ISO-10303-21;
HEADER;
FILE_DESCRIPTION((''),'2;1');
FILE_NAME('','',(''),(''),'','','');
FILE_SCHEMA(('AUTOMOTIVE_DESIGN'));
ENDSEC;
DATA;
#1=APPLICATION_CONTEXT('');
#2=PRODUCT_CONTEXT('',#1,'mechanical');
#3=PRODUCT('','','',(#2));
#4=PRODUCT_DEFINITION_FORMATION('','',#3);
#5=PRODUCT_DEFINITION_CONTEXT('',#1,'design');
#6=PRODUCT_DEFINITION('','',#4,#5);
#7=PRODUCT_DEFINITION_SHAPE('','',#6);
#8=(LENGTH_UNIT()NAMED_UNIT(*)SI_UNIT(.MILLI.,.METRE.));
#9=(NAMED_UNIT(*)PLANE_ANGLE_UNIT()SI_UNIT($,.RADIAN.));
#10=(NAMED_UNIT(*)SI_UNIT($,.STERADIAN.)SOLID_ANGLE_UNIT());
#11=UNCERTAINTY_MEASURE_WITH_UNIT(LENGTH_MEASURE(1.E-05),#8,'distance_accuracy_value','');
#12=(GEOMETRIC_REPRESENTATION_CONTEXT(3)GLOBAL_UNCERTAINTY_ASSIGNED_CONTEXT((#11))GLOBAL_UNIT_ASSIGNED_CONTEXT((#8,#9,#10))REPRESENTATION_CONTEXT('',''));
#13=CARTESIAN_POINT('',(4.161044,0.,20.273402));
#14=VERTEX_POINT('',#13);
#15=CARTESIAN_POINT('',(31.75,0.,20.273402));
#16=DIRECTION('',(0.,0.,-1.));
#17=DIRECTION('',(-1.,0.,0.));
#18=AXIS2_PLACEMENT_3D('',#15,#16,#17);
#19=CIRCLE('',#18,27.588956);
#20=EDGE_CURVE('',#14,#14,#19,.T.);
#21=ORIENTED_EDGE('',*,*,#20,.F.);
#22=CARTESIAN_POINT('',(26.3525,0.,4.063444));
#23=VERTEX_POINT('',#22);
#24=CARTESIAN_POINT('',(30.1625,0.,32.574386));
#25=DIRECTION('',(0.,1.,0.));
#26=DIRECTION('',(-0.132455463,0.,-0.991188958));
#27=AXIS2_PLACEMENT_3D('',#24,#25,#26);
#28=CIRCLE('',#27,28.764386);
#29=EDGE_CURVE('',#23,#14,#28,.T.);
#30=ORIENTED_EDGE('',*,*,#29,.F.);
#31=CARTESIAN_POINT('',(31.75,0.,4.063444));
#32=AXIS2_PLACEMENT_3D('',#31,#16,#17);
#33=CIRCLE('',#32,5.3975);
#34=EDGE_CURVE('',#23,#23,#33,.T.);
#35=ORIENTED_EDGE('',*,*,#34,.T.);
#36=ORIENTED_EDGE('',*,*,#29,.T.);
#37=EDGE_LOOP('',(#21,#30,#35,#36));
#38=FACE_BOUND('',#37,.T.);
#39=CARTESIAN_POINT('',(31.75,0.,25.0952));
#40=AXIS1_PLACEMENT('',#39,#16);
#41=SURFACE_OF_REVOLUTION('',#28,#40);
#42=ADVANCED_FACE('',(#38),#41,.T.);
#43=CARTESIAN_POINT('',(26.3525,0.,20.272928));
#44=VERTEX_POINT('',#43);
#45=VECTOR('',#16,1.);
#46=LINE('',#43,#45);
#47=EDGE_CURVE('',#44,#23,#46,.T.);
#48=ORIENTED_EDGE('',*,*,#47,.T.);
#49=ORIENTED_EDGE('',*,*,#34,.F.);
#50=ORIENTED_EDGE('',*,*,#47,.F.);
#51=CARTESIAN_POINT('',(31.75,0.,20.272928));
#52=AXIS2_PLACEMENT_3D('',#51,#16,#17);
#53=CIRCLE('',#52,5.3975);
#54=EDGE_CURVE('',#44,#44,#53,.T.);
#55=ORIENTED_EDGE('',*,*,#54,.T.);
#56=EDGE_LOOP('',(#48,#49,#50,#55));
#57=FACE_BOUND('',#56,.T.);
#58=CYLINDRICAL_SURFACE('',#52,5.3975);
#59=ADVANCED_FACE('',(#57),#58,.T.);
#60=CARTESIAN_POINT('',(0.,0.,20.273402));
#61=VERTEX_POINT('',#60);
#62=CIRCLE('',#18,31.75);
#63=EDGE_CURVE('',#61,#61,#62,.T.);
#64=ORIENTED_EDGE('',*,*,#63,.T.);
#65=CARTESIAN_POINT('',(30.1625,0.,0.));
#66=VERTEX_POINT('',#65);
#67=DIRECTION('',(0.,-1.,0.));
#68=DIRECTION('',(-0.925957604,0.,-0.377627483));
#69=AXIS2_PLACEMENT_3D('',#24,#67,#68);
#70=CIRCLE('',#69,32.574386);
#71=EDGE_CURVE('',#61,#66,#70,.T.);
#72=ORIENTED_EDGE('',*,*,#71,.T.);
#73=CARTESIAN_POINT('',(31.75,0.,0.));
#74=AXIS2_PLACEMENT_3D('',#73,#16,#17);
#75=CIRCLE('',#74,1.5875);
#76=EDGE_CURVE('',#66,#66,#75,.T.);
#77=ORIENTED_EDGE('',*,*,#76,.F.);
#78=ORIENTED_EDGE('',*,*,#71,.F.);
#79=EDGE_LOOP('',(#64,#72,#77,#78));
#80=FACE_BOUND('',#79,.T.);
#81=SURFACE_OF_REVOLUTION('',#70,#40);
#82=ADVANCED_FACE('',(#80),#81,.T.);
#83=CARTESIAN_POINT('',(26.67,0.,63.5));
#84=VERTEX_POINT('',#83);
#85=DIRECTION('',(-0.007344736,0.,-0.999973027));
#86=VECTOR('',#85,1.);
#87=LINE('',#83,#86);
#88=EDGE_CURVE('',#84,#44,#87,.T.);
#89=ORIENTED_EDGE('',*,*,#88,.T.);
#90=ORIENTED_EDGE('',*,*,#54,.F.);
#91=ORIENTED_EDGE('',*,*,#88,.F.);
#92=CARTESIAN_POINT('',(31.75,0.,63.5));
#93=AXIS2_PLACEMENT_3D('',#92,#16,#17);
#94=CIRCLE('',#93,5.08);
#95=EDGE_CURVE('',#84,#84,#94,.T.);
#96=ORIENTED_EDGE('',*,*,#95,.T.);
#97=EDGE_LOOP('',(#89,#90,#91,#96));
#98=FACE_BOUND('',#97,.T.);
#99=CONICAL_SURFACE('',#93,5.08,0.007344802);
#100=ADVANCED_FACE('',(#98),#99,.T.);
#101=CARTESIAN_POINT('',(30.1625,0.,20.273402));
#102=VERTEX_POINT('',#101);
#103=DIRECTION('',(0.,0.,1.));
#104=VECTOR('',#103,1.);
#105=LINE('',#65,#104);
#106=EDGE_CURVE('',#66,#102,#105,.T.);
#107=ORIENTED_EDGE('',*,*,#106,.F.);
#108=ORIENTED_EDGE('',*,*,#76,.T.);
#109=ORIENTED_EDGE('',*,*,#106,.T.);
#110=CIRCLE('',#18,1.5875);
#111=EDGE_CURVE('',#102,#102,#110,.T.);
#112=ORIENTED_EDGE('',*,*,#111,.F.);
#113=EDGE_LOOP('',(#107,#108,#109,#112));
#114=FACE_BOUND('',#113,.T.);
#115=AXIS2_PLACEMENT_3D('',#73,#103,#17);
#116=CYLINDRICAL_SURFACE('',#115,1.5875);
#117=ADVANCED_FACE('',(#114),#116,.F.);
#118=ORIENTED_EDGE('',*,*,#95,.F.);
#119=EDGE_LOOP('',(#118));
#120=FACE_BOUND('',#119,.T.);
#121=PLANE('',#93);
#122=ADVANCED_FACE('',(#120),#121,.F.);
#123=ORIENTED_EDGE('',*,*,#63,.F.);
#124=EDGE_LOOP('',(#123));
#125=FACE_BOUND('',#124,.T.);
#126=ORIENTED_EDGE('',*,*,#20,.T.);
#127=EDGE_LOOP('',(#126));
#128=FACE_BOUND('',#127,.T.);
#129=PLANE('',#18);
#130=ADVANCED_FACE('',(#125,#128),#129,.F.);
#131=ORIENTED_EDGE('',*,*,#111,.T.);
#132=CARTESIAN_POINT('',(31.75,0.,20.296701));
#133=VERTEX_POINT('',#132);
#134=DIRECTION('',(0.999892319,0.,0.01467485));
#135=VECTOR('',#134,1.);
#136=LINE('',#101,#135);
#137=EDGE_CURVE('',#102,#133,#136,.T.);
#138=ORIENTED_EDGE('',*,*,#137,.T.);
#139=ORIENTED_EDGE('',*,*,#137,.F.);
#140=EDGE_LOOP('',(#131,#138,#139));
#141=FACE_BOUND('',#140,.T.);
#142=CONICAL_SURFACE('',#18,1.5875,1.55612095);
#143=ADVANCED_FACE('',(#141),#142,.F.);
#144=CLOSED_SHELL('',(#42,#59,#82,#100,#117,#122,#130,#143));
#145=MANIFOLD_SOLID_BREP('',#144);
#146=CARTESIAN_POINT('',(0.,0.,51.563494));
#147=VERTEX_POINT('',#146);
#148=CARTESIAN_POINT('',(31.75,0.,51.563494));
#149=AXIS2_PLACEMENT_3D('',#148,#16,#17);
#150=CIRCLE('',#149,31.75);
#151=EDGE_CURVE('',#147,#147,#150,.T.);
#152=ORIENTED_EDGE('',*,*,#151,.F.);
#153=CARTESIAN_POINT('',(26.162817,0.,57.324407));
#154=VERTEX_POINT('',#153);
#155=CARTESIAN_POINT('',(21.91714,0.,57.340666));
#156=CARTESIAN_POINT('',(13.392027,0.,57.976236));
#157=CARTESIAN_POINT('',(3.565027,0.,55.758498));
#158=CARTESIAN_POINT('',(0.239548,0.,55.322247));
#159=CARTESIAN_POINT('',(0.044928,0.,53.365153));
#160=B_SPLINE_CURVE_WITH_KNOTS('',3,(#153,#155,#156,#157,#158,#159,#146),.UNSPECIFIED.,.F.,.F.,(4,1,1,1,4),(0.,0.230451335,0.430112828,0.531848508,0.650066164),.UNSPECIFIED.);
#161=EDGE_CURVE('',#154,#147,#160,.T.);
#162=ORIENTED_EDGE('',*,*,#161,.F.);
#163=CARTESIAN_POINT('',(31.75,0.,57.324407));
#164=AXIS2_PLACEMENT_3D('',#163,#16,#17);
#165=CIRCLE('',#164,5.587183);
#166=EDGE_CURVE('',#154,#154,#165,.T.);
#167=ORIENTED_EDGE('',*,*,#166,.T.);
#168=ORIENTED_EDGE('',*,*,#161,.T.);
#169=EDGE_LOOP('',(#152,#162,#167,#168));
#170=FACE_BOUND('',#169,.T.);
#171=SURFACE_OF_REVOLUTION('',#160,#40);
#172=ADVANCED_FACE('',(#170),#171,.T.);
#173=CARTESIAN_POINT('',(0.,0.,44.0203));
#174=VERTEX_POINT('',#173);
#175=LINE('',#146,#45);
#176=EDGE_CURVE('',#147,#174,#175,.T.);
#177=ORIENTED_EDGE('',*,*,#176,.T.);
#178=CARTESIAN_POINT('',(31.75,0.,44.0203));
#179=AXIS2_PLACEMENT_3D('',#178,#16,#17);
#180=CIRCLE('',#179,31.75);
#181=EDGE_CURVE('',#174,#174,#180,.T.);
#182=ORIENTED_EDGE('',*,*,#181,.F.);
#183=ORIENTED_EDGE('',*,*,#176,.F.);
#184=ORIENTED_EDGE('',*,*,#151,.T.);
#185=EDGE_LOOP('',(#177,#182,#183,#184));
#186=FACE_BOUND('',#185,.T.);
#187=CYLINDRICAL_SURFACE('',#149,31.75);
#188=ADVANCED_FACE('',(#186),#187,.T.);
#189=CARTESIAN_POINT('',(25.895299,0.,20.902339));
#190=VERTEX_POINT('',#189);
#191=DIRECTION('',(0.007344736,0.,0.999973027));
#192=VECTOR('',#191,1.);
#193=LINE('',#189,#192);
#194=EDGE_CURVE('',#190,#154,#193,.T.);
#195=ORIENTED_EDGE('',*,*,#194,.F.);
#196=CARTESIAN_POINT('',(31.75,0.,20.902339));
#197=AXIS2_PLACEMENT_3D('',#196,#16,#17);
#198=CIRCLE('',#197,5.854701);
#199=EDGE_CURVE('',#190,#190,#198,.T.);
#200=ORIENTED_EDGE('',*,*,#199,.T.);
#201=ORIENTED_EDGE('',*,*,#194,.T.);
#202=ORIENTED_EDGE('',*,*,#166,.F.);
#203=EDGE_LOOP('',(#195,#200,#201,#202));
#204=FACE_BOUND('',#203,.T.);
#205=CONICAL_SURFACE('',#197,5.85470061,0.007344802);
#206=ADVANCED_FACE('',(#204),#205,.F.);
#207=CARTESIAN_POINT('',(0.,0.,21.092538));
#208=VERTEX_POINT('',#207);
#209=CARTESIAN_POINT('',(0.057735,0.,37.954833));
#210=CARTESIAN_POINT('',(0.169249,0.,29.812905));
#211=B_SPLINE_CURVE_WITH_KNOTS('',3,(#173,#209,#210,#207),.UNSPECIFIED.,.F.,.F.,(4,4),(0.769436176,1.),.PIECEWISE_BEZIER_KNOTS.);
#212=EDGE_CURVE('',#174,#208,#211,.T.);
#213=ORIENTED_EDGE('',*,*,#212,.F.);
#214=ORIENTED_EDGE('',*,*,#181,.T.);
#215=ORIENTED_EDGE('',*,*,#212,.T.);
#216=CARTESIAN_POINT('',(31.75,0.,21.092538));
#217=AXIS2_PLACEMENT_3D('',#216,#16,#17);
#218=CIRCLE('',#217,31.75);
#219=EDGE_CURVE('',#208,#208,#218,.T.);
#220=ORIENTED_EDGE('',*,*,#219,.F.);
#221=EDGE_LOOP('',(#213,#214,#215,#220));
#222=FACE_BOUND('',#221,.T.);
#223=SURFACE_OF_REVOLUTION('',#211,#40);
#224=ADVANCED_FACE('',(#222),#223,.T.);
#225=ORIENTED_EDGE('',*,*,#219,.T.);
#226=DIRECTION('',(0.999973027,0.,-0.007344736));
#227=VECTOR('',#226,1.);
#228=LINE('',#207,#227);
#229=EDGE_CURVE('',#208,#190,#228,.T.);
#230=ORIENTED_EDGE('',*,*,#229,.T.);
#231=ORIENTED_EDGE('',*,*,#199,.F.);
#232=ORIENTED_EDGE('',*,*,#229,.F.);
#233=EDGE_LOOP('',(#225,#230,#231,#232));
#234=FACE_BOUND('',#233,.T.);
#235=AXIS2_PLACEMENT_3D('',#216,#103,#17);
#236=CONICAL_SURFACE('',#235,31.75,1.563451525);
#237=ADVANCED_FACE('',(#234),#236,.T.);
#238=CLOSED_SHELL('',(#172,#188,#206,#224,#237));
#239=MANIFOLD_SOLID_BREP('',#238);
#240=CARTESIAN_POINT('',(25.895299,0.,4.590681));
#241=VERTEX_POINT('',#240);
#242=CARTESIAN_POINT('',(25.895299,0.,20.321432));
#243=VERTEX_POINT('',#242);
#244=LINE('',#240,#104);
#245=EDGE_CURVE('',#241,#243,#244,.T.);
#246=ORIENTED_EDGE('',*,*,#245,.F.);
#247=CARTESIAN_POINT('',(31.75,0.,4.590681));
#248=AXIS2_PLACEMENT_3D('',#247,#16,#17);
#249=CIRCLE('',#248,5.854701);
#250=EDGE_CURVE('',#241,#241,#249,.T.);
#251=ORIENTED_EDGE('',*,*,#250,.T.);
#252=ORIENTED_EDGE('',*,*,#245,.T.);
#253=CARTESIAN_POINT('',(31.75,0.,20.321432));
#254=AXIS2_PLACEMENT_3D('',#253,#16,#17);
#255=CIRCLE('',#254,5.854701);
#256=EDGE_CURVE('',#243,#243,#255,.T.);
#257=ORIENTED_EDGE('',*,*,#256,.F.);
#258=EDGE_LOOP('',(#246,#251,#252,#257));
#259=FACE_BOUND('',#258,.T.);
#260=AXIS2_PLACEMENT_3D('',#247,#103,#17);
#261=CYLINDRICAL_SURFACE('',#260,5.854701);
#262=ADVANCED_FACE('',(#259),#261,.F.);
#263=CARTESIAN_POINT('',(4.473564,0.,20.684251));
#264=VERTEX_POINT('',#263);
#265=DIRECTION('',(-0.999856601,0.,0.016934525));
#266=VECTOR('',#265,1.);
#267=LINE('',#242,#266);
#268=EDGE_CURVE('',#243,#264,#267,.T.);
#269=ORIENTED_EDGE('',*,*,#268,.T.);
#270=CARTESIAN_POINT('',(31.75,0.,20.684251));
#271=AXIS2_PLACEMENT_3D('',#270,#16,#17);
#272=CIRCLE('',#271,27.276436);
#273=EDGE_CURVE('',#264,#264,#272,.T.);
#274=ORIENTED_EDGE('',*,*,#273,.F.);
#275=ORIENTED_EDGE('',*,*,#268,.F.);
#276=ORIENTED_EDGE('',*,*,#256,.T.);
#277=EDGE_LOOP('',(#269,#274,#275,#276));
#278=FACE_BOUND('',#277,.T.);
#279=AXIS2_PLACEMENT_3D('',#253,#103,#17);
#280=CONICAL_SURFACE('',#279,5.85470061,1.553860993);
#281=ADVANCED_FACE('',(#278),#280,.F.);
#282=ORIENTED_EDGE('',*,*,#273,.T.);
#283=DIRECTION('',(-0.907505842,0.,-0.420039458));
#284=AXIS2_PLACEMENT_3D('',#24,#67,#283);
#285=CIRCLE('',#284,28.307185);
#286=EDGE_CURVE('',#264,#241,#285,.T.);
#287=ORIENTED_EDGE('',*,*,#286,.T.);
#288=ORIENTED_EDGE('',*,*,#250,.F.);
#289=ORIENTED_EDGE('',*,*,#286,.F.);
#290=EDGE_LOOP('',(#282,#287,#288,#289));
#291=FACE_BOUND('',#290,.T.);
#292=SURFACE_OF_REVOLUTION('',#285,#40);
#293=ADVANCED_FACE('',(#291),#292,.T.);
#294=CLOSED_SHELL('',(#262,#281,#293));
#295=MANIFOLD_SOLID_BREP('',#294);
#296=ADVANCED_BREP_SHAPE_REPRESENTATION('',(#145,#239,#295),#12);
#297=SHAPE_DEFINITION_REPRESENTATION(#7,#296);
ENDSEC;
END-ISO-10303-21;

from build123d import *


with BuildPart() as f1:
    # F0 (on Front) → F1 (revolve)
    with BuildSketch(Plane.XZ):
        with BuildLine():
            add(Edge.make_bspline(
                [(0, 44.0202998325), (0.0577345664, 37.9548327602), (0.169249193, 29.8129052835), (0, 21.0925379175)],
                knots=[0.7694361764, 0.7694361764, 0.7694361764, 0.7694361764, 1, 1, 1, 1], degree=3))
            Line((0, 21.0925379175), (25.89529939, 20.9023386472))
            Line((25.89529939, 20.9023386472), (26.1628170877, 57.3244072695))
            add(Edge.make_bspline(
                [(26.1628170877, 57.3244072695), (21.9171396725, 57.3406664972), (13.3920272555, 57.9762362263), (3.5650271507, 55.7584975317), (0.2395476916, 55.3222469331), (0.0449284938, 53.3651527802), (0, 51.5634943099)],
                knots=[0, 0, 0, 0, 0.2304513354, 0.4301128282, 0.5318485078, 0.6500661639, 0.6500661639, 0.6500661639, 0.6500661639], degree=3))
            Line((0, 51.5634943099), (0, 44.0202998325))
        make_face()
    revolve(axis=Axis((31.75, 0, 25.0952), (0, 0, -1)))


with BuildPart() as f2:
    # F0 (on Front) → F2 (revolve)
    with BuildSketch(Plane.XZ):
        with BuildLine():
            ThreePointArc((4.4735642857, 20.6842509248), (13.1597568745, 9.9424734447), (25.89529939, 4.5906810385))
            Line((25.89529939, 4.5906810385), (25.89529939, 20.3214319938))
            Line((25.89529939, 20.3214319938), (4.4735642857, 20.6842509248))
        make_face()
    revolve(axis=Axis((31.75, 0, 25.0952), (0, 0, -1)))


with BuildPart() as f3:
    # F0 (on Front) → F3 (revolve)
    with BuildSketch(Plane.XZ):
        with BuildLine():
            Line((4.1610444968, 20.2734023333), (0, 20.2734023333))
            ThreePointArc((0, 20.2734023333), (11.991181608, 5.5393382602), (30.1625, 0))
            Line((30.1625, 0), (30.1625, 20.2734023333))
            Line((30.1625, 20.2734023333), (31.75, 20.2967011666))
            Line((31.75, 20.2967011666), (31.75, 63.5))
            Line((31.75, 63.5), (26.67, 63.5))
            Line((26.67, 63.5), (26.3525, 20.2729279764))
            Line((26.3525, 20.2729279764), (26.3525, 4.0634442103))
            ThreePointArc((26.3525, 4.0634442103), (13.1957264295, 9.3468486426), (4.1610444968, 20.2734023333))
        make_face()
    revolve(axis=Axis((31.75, 0, 25.0952), (0, 0, -1)))


solid = Compound([f1.part, f2.part, f3.part])
